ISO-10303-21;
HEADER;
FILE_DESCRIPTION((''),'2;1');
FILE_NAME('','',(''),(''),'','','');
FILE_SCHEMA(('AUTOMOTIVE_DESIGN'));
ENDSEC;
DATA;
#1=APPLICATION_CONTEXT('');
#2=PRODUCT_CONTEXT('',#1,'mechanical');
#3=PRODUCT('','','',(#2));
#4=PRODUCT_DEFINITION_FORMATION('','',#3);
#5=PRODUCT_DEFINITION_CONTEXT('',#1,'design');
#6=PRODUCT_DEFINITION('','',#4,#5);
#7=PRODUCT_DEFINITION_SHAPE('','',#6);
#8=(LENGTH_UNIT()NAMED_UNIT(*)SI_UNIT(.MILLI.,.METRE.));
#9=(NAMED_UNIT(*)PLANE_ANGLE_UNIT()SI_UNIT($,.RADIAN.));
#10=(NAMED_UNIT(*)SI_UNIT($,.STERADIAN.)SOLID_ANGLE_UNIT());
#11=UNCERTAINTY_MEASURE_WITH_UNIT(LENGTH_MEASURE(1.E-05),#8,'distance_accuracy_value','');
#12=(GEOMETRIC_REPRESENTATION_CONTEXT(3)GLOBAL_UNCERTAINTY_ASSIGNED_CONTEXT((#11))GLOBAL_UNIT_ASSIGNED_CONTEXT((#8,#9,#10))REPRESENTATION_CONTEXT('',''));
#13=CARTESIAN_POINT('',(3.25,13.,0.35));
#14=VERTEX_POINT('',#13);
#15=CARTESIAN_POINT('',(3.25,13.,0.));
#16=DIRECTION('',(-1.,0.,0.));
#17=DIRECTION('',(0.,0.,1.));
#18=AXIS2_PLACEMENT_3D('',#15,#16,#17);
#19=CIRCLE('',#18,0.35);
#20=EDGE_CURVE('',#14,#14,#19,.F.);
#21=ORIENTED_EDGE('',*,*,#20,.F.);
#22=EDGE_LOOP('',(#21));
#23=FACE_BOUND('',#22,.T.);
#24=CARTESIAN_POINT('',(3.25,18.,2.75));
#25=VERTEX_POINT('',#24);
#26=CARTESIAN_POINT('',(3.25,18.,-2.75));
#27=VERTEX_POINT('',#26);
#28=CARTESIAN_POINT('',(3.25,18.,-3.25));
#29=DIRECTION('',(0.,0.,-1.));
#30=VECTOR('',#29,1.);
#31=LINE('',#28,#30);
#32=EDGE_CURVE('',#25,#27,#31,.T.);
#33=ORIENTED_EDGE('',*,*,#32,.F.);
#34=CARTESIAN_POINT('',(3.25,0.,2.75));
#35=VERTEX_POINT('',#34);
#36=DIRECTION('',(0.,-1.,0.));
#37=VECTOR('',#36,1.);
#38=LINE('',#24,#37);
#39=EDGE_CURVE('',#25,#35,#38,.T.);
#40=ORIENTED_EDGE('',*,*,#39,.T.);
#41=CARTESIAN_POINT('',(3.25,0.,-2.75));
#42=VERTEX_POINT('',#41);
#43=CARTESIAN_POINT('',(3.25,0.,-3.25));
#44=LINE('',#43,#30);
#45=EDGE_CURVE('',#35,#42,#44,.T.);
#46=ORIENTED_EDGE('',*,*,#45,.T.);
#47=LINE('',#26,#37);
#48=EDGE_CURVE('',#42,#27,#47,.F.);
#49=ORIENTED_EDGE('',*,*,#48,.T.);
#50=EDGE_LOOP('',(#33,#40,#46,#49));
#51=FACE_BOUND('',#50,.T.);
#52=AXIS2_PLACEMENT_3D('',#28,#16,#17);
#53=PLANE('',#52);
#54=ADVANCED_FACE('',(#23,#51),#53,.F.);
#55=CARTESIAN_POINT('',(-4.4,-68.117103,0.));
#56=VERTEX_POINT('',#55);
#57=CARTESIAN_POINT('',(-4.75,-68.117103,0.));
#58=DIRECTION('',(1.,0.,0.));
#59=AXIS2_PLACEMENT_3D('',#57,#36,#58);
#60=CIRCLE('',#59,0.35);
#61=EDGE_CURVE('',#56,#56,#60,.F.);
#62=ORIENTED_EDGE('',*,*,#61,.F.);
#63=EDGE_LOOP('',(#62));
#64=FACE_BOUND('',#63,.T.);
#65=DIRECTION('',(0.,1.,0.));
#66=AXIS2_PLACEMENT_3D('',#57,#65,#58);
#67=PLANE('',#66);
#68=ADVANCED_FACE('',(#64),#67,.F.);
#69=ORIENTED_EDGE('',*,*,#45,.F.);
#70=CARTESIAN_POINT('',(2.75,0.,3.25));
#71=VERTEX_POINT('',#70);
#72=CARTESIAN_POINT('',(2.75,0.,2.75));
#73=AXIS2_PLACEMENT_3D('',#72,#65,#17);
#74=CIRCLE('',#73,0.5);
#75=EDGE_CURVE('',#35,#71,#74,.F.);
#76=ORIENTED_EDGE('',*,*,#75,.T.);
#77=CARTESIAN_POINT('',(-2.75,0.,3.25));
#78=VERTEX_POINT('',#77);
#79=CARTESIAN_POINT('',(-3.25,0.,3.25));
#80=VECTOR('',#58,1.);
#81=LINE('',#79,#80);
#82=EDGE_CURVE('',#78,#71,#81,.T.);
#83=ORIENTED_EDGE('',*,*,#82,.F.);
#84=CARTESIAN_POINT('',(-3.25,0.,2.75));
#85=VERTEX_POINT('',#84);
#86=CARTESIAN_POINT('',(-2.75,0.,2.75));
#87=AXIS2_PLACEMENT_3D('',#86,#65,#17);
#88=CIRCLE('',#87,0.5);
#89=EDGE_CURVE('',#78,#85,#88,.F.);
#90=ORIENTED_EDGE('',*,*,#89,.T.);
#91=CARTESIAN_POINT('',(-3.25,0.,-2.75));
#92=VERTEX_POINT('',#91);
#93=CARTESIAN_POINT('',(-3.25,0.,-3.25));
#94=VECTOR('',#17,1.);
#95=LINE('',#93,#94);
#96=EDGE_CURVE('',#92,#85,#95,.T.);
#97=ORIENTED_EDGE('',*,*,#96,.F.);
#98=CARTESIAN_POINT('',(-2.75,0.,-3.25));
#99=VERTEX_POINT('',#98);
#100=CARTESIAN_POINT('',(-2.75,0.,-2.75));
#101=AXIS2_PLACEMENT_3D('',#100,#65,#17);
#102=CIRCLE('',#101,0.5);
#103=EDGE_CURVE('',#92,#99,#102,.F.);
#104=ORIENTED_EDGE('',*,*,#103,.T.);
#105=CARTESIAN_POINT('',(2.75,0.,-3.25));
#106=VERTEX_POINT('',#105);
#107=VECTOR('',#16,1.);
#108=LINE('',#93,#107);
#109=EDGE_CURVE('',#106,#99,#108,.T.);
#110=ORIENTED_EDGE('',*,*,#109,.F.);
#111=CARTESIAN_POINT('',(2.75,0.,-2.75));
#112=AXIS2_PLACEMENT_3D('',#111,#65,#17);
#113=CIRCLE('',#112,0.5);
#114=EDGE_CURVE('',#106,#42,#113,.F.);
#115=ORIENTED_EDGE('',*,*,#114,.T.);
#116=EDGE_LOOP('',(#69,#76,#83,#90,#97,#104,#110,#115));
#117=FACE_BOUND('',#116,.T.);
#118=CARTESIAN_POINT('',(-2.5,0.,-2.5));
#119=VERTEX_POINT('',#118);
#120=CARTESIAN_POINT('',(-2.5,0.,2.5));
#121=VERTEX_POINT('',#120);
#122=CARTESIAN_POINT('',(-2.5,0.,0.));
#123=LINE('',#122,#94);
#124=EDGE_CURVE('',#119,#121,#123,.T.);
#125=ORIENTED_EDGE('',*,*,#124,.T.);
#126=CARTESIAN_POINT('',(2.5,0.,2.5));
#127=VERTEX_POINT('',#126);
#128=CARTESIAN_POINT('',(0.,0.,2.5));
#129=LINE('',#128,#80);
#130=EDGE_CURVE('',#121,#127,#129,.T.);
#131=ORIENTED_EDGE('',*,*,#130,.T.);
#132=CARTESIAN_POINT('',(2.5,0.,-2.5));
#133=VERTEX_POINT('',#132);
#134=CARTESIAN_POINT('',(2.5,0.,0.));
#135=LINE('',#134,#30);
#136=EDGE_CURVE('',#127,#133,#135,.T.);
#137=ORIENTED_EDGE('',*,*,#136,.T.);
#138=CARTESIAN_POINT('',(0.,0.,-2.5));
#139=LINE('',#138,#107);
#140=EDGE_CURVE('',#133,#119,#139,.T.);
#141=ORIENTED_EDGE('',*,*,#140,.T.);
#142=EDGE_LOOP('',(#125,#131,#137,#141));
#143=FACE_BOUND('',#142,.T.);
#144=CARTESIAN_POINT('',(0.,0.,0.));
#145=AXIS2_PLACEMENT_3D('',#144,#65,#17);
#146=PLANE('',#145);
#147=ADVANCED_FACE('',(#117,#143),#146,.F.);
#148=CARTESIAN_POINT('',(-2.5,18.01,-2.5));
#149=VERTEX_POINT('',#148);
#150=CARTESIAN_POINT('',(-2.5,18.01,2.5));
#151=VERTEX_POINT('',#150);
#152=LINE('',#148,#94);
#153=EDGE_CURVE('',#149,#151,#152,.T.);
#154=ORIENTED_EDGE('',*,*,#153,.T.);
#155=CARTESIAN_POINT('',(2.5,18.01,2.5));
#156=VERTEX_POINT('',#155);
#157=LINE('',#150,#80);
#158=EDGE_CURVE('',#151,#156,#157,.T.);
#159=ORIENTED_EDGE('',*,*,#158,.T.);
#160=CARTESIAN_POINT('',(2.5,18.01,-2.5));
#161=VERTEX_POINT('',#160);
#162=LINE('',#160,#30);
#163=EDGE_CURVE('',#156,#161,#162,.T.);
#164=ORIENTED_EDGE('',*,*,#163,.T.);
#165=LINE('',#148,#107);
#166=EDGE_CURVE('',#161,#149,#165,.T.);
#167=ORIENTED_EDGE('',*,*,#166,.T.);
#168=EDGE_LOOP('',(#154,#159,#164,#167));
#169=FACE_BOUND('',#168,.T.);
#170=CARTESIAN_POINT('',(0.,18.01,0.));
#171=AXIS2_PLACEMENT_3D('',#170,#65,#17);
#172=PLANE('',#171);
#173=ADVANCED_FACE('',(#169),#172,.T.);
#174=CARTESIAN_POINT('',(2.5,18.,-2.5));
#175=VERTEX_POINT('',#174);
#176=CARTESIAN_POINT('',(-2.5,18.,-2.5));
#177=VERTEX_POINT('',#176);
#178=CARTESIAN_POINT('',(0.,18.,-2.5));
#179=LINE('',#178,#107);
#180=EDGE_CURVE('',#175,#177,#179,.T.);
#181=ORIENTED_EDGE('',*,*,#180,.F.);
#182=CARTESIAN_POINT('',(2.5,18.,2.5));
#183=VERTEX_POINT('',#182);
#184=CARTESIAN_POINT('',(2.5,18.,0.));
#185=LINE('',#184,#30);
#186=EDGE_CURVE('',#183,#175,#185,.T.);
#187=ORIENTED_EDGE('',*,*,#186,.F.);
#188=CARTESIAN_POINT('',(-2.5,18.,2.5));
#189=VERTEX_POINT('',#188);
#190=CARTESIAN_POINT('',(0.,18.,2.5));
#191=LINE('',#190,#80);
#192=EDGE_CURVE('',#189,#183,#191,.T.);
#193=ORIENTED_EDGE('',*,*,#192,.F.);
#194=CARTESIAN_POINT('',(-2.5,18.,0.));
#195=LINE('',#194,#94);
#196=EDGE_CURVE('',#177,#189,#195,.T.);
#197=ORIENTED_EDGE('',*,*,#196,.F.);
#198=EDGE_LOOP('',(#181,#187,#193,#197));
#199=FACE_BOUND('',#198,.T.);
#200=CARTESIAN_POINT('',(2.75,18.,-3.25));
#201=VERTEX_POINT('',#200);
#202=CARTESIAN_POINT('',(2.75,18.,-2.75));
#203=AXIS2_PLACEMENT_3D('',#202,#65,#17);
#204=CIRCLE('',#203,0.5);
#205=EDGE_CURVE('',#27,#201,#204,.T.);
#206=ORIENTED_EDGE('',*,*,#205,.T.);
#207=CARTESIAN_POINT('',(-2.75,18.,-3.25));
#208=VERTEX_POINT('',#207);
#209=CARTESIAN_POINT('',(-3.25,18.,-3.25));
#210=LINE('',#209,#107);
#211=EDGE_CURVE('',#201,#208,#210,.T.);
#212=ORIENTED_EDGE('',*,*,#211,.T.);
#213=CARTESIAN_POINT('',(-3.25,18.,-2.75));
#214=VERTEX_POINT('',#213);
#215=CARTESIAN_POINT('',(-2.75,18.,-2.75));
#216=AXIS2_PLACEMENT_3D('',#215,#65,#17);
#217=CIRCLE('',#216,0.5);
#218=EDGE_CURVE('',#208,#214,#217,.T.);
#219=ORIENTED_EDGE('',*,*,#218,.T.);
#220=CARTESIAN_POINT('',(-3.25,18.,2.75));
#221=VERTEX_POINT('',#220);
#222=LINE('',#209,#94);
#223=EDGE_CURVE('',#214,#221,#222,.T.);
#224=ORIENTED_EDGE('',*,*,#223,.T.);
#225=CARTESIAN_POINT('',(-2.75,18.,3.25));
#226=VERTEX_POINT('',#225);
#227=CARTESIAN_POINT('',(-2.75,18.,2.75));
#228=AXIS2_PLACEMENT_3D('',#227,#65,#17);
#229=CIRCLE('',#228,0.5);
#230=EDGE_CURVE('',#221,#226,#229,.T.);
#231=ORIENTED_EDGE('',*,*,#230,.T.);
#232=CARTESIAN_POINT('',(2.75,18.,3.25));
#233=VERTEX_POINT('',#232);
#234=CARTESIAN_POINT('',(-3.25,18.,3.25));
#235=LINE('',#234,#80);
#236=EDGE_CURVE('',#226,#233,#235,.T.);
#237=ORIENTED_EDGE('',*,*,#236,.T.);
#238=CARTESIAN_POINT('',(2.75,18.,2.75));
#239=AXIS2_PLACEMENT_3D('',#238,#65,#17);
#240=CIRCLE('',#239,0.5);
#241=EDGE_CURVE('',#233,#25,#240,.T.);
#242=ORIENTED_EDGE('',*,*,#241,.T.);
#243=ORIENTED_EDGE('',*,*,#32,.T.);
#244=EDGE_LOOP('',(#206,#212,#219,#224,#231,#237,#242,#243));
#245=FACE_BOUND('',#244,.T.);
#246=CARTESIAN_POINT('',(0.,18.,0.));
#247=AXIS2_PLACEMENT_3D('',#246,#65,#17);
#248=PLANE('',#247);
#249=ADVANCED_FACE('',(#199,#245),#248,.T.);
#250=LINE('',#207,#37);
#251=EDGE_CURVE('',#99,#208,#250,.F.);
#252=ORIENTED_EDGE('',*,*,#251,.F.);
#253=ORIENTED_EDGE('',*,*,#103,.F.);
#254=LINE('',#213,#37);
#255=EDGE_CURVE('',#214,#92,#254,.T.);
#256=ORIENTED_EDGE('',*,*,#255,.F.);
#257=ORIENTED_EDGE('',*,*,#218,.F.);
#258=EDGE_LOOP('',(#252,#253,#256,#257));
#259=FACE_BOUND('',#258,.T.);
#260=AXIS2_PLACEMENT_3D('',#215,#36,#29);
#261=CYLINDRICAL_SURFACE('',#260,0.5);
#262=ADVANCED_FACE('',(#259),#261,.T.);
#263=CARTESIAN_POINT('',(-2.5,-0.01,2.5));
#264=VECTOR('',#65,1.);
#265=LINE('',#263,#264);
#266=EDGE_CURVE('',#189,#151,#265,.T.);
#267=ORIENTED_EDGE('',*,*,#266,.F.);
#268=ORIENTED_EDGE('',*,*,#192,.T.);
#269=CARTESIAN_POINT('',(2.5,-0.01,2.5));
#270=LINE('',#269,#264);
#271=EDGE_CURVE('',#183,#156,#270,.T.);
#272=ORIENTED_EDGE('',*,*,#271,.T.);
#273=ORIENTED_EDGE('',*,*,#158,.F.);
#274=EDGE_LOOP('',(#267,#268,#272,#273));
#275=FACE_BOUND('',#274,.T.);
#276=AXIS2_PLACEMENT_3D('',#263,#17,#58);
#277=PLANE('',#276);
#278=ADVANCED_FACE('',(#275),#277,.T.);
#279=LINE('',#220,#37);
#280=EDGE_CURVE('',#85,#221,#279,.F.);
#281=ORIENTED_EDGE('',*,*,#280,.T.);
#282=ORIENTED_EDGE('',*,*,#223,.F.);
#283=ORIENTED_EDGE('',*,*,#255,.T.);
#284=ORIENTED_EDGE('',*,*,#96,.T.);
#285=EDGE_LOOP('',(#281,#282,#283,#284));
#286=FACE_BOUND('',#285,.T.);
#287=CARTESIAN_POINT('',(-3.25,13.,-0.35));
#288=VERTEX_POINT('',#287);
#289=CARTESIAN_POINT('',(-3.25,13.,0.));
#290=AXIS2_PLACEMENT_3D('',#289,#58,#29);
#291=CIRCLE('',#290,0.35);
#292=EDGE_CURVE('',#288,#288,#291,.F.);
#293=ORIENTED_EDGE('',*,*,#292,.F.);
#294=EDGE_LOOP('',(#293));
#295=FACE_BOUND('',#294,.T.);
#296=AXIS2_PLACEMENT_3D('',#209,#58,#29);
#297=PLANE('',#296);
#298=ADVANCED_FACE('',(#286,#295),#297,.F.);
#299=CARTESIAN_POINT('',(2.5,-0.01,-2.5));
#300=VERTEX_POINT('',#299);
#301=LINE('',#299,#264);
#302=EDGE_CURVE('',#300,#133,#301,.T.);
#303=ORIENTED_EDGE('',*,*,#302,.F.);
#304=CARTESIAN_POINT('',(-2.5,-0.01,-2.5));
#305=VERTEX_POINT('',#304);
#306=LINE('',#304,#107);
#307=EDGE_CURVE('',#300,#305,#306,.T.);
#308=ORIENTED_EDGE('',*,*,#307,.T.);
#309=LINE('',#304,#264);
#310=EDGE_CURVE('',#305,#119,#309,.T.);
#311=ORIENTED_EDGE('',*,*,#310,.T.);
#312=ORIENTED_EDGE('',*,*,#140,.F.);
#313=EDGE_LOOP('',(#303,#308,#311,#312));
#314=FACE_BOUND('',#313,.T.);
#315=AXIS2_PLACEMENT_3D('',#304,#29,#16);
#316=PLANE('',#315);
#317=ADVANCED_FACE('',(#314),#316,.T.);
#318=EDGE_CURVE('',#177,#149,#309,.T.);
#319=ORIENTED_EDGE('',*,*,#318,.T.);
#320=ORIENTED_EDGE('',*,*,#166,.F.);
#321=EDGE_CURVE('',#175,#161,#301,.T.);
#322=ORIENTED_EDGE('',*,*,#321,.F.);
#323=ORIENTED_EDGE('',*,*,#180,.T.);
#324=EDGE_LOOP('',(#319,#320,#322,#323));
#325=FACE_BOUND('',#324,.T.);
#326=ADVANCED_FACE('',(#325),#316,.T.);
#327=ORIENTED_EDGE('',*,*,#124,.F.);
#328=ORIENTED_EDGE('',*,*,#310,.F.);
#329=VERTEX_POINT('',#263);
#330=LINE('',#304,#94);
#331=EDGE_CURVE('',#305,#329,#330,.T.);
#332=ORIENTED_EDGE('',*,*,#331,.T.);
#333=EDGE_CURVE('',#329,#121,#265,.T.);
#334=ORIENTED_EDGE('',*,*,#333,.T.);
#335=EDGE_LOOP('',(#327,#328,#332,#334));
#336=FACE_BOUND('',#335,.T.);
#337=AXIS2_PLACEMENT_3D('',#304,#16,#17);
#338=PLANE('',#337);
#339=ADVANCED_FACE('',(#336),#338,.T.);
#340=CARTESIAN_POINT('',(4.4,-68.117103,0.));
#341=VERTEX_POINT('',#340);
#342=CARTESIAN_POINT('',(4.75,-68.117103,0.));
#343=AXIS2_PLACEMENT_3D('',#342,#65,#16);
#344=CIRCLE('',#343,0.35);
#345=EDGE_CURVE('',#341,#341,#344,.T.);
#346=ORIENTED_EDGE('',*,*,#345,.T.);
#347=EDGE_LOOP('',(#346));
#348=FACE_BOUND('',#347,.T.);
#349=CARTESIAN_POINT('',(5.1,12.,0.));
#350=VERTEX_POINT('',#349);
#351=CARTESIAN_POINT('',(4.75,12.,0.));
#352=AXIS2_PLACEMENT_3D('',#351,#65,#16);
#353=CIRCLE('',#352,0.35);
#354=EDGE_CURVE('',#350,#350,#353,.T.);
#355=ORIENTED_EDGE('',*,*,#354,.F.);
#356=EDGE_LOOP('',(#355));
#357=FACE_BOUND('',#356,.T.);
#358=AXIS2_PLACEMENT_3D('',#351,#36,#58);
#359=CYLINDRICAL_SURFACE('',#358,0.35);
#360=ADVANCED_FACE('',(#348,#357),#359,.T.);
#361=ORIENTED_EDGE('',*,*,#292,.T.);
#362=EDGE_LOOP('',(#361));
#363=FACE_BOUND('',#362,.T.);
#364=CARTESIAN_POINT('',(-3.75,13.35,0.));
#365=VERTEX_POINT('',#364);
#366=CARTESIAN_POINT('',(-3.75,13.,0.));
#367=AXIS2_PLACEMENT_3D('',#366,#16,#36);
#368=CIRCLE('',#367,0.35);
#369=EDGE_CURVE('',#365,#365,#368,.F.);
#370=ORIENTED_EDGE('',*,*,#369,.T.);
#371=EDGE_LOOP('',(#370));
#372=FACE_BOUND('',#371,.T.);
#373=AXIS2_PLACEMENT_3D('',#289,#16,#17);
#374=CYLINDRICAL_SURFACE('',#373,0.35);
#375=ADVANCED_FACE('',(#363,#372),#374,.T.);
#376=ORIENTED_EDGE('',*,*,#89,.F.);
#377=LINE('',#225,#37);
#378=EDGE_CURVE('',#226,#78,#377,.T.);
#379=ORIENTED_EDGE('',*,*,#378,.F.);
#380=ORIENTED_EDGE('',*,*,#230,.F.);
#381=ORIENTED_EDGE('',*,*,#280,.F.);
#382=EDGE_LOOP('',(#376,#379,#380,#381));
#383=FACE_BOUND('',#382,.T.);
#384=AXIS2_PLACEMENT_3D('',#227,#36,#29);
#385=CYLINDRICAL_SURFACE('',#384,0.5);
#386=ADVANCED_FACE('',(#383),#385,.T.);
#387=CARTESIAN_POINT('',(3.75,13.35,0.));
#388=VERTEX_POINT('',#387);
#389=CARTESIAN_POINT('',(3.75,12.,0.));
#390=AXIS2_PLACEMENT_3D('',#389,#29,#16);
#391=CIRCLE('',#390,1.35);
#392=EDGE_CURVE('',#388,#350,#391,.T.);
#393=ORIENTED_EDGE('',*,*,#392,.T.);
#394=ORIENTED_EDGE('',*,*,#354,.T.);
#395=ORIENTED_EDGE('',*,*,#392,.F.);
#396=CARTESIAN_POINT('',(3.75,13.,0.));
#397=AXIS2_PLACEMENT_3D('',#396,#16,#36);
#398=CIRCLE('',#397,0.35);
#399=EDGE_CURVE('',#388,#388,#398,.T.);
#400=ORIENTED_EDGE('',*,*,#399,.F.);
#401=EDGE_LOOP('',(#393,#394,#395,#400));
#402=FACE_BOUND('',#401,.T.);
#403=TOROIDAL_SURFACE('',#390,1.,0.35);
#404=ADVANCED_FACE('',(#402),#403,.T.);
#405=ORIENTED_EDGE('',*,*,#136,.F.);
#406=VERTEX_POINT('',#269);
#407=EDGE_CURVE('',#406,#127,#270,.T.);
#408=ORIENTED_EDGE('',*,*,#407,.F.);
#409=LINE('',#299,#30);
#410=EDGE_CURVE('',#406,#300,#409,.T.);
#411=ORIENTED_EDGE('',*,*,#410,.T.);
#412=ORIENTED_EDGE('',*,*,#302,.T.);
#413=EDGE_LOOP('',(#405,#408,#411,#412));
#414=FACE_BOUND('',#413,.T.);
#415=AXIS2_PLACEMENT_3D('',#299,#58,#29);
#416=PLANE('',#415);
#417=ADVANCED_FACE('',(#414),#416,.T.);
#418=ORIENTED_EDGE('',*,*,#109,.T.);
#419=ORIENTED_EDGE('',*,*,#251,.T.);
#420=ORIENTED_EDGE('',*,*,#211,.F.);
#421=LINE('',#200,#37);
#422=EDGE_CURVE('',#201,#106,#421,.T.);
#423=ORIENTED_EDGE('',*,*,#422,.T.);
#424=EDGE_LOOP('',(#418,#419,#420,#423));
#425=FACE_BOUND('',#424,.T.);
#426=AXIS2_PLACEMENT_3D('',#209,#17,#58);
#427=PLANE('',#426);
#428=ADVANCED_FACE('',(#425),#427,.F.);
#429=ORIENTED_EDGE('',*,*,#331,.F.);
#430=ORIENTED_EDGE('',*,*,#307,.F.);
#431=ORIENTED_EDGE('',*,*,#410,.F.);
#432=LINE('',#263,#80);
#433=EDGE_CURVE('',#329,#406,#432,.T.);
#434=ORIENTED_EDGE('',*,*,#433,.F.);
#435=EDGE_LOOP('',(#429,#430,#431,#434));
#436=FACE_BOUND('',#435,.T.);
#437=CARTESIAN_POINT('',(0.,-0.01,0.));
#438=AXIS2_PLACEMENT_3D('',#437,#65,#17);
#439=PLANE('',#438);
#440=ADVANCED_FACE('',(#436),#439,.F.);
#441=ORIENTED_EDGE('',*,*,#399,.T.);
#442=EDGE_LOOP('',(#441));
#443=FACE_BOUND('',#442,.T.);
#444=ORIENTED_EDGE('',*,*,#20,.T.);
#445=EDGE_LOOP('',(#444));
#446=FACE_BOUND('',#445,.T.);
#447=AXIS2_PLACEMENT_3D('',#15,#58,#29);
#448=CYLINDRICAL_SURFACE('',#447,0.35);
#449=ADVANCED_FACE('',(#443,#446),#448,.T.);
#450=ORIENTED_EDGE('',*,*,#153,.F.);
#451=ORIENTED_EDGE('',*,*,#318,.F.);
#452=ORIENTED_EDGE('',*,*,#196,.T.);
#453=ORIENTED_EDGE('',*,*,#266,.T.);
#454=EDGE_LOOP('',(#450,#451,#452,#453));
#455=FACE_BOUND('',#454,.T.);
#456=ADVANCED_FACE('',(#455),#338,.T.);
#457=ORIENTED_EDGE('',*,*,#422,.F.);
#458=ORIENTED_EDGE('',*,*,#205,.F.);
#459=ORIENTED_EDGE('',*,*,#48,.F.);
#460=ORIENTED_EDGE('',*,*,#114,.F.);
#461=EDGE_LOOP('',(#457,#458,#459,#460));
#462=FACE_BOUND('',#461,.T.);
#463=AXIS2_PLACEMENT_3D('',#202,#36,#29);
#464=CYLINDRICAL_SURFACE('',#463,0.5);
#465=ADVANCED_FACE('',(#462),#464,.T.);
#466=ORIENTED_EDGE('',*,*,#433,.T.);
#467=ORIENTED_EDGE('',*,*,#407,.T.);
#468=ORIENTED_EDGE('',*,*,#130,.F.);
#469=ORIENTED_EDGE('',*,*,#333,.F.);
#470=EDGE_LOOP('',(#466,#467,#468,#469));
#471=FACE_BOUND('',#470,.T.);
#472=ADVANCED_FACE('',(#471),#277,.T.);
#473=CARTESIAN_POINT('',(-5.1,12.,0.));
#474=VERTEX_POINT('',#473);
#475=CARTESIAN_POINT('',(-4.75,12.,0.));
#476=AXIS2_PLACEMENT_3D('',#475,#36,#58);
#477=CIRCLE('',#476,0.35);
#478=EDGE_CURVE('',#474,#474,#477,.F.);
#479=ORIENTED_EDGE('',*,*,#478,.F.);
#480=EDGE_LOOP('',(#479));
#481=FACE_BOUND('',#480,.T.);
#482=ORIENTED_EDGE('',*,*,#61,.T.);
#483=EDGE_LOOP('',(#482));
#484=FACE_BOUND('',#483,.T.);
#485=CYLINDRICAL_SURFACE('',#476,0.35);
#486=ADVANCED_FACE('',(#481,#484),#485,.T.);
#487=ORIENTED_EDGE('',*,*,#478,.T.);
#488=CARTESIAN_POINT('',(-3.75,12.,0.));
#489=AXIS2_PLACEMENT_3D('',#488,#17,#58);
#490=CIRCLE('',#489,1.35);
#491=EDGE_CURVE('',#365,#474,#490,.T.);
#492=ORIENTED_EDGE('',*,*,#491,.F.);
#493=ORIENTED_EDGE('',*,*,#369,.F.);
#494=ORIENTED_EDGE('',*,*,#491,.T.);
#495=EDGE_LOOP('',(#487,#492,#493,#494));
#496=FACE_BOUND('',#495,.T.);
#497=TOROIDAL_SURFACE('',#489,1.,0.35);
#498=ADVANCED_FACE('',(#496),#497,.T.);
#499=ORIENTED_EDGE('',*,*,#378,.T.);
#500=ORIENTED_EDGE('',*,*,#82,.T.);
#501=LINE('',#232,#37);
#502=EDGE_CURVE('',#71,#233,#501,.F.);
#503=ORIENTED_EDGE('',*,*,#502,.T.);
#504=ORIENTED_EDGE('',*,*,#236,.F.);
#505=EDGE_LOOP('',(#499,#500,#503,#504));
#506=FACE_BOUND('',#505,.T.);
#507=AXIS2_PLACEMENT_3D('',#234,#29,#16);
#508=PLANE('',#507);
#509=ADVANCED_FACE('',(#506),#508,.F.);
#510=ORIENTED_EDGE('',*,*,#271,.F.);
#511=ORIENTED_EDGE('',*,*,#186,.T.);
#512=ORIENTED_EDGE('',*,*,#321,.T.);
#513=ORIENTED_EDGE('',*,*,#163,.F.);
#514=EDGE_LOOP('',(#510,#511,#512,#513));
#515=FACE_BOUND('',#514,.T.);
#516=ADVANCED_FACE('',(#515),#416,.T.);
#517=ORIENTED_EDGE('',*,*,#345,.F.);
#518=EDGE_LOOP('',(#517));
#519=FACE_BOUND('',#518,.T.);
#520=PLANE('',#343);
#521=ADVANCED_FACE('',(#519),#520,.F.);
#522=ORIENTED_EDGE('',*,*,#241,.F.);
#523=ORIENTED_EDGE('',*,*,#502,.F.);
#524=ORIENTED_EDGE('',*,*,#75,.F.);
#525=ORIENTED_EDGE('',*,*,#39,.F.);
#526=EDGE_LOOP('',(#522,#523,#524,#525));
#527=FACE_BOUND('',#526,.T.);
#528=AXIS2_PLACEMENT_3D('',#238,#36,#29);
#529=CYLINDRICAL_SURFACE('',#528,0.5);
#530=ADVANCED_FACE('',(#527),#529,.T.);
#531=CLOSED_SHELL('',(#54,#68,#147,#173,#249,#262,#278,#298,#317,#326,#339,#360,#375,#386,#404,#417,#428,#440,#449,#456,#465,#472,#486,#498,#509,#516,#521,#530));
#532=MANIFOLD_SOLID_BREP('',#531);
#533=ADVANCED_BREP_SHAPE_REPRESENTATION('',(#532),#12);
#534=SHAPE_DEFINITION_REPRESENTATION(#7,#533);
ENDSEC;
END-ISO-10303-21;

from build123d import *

# Parameters (mm, degrees)
SKETCH1_W                = 6.5
SKETCH1_H                = 6.5
BOSS_EXTRUDE1_DEPTH      = 18
SKETCH2_W                = 5
SKETCH2_H                = 5
BOSS_EXTRUDE2_DEPTH      = 18.01
BOSS_EXTRUDE2_DEPTH_BACK = 0.01
SWEEP2_PROFILE_R         = 0.35
FILLET2_R                = 0.5


with BuildPart() as part:
    # Sketch1 → Boss-Extrude1 (new body)
    with BuildSketch(Plane(origin=(0, 0, 0), x_dir=(1, 0, 0), z_dir=(0, 1, 0))):
        Rectangle(SKETCH1_W, SKETCH1_H)
    boss_extrude1 = extrude(amount=BOSS_EXTRUDE1_DEPTH)

    # Sketch2 → Boss-Extrude2 (add, two sides)
    with BuildSketch(Plane(origin=(0, 0, 0), x_dir=(1, 0, 0), z_dir=(0, 1, 0))) as boss_extrude2_sk:
        Rectangle(SKETCH2_W, SKETCH2_H)
    extrude(amount=BOSS_EXTRUDE2_DEPTH)
    extrude(boss_extrude2_sk.sketch, amount=-BOSS_EXTRUDE2_DEPTH_BACK)

    # Sweep2: sweep along a path in Sketch4
    with BuildLine(Plane.XY) as sweep2_path:
        Line((3.2, 13), (3.25, 13))
        Line((3.25, 13), (3.75, 13))
        ThreePointArc((3.75, 13), (4.457106781, 12.707106781), (4.75, 12))
        Line((4.75, 12), (4.75, -68.117103267))
    # Sweep2 profile (on start of the path) → Sweep2 (sweep)
    with BuildSketch(Plane(origin=(3.2, 13, 0), x_dir=(0, 0, 1), z_dir=(1, 0, 0))):
        Circle(SWEEP2_PROFILE_R)
    sweep2 = sweep(path=sweep2_path.line)

    # Mirror1: Boss-Extrude1, Sweep2 across plane
    add(boss_extrude1.mirror(Plane(origin=(0, 0, 0), x_dir=(0, 0, 1), z_dir=(1, 0, 0))))
    add(sweep2.mirror(Plane(origin=(0, 0, 0), x_dir=(0, 0, 1), z_dir=(1, 0, 0))))

    # Fillet2
    fillet2_edges = [part.edges().sort_by_distance(p)[0] for p in [
        (3.25, 9, 3.25),
        (-3.25, 9, 3.25),
        (-3.25, 9, -3.25),
        (3.25, 9, -3.25),
    ]]
    fillet(fillet2_edges, radius=FILLET2_R)


solid = part.part
